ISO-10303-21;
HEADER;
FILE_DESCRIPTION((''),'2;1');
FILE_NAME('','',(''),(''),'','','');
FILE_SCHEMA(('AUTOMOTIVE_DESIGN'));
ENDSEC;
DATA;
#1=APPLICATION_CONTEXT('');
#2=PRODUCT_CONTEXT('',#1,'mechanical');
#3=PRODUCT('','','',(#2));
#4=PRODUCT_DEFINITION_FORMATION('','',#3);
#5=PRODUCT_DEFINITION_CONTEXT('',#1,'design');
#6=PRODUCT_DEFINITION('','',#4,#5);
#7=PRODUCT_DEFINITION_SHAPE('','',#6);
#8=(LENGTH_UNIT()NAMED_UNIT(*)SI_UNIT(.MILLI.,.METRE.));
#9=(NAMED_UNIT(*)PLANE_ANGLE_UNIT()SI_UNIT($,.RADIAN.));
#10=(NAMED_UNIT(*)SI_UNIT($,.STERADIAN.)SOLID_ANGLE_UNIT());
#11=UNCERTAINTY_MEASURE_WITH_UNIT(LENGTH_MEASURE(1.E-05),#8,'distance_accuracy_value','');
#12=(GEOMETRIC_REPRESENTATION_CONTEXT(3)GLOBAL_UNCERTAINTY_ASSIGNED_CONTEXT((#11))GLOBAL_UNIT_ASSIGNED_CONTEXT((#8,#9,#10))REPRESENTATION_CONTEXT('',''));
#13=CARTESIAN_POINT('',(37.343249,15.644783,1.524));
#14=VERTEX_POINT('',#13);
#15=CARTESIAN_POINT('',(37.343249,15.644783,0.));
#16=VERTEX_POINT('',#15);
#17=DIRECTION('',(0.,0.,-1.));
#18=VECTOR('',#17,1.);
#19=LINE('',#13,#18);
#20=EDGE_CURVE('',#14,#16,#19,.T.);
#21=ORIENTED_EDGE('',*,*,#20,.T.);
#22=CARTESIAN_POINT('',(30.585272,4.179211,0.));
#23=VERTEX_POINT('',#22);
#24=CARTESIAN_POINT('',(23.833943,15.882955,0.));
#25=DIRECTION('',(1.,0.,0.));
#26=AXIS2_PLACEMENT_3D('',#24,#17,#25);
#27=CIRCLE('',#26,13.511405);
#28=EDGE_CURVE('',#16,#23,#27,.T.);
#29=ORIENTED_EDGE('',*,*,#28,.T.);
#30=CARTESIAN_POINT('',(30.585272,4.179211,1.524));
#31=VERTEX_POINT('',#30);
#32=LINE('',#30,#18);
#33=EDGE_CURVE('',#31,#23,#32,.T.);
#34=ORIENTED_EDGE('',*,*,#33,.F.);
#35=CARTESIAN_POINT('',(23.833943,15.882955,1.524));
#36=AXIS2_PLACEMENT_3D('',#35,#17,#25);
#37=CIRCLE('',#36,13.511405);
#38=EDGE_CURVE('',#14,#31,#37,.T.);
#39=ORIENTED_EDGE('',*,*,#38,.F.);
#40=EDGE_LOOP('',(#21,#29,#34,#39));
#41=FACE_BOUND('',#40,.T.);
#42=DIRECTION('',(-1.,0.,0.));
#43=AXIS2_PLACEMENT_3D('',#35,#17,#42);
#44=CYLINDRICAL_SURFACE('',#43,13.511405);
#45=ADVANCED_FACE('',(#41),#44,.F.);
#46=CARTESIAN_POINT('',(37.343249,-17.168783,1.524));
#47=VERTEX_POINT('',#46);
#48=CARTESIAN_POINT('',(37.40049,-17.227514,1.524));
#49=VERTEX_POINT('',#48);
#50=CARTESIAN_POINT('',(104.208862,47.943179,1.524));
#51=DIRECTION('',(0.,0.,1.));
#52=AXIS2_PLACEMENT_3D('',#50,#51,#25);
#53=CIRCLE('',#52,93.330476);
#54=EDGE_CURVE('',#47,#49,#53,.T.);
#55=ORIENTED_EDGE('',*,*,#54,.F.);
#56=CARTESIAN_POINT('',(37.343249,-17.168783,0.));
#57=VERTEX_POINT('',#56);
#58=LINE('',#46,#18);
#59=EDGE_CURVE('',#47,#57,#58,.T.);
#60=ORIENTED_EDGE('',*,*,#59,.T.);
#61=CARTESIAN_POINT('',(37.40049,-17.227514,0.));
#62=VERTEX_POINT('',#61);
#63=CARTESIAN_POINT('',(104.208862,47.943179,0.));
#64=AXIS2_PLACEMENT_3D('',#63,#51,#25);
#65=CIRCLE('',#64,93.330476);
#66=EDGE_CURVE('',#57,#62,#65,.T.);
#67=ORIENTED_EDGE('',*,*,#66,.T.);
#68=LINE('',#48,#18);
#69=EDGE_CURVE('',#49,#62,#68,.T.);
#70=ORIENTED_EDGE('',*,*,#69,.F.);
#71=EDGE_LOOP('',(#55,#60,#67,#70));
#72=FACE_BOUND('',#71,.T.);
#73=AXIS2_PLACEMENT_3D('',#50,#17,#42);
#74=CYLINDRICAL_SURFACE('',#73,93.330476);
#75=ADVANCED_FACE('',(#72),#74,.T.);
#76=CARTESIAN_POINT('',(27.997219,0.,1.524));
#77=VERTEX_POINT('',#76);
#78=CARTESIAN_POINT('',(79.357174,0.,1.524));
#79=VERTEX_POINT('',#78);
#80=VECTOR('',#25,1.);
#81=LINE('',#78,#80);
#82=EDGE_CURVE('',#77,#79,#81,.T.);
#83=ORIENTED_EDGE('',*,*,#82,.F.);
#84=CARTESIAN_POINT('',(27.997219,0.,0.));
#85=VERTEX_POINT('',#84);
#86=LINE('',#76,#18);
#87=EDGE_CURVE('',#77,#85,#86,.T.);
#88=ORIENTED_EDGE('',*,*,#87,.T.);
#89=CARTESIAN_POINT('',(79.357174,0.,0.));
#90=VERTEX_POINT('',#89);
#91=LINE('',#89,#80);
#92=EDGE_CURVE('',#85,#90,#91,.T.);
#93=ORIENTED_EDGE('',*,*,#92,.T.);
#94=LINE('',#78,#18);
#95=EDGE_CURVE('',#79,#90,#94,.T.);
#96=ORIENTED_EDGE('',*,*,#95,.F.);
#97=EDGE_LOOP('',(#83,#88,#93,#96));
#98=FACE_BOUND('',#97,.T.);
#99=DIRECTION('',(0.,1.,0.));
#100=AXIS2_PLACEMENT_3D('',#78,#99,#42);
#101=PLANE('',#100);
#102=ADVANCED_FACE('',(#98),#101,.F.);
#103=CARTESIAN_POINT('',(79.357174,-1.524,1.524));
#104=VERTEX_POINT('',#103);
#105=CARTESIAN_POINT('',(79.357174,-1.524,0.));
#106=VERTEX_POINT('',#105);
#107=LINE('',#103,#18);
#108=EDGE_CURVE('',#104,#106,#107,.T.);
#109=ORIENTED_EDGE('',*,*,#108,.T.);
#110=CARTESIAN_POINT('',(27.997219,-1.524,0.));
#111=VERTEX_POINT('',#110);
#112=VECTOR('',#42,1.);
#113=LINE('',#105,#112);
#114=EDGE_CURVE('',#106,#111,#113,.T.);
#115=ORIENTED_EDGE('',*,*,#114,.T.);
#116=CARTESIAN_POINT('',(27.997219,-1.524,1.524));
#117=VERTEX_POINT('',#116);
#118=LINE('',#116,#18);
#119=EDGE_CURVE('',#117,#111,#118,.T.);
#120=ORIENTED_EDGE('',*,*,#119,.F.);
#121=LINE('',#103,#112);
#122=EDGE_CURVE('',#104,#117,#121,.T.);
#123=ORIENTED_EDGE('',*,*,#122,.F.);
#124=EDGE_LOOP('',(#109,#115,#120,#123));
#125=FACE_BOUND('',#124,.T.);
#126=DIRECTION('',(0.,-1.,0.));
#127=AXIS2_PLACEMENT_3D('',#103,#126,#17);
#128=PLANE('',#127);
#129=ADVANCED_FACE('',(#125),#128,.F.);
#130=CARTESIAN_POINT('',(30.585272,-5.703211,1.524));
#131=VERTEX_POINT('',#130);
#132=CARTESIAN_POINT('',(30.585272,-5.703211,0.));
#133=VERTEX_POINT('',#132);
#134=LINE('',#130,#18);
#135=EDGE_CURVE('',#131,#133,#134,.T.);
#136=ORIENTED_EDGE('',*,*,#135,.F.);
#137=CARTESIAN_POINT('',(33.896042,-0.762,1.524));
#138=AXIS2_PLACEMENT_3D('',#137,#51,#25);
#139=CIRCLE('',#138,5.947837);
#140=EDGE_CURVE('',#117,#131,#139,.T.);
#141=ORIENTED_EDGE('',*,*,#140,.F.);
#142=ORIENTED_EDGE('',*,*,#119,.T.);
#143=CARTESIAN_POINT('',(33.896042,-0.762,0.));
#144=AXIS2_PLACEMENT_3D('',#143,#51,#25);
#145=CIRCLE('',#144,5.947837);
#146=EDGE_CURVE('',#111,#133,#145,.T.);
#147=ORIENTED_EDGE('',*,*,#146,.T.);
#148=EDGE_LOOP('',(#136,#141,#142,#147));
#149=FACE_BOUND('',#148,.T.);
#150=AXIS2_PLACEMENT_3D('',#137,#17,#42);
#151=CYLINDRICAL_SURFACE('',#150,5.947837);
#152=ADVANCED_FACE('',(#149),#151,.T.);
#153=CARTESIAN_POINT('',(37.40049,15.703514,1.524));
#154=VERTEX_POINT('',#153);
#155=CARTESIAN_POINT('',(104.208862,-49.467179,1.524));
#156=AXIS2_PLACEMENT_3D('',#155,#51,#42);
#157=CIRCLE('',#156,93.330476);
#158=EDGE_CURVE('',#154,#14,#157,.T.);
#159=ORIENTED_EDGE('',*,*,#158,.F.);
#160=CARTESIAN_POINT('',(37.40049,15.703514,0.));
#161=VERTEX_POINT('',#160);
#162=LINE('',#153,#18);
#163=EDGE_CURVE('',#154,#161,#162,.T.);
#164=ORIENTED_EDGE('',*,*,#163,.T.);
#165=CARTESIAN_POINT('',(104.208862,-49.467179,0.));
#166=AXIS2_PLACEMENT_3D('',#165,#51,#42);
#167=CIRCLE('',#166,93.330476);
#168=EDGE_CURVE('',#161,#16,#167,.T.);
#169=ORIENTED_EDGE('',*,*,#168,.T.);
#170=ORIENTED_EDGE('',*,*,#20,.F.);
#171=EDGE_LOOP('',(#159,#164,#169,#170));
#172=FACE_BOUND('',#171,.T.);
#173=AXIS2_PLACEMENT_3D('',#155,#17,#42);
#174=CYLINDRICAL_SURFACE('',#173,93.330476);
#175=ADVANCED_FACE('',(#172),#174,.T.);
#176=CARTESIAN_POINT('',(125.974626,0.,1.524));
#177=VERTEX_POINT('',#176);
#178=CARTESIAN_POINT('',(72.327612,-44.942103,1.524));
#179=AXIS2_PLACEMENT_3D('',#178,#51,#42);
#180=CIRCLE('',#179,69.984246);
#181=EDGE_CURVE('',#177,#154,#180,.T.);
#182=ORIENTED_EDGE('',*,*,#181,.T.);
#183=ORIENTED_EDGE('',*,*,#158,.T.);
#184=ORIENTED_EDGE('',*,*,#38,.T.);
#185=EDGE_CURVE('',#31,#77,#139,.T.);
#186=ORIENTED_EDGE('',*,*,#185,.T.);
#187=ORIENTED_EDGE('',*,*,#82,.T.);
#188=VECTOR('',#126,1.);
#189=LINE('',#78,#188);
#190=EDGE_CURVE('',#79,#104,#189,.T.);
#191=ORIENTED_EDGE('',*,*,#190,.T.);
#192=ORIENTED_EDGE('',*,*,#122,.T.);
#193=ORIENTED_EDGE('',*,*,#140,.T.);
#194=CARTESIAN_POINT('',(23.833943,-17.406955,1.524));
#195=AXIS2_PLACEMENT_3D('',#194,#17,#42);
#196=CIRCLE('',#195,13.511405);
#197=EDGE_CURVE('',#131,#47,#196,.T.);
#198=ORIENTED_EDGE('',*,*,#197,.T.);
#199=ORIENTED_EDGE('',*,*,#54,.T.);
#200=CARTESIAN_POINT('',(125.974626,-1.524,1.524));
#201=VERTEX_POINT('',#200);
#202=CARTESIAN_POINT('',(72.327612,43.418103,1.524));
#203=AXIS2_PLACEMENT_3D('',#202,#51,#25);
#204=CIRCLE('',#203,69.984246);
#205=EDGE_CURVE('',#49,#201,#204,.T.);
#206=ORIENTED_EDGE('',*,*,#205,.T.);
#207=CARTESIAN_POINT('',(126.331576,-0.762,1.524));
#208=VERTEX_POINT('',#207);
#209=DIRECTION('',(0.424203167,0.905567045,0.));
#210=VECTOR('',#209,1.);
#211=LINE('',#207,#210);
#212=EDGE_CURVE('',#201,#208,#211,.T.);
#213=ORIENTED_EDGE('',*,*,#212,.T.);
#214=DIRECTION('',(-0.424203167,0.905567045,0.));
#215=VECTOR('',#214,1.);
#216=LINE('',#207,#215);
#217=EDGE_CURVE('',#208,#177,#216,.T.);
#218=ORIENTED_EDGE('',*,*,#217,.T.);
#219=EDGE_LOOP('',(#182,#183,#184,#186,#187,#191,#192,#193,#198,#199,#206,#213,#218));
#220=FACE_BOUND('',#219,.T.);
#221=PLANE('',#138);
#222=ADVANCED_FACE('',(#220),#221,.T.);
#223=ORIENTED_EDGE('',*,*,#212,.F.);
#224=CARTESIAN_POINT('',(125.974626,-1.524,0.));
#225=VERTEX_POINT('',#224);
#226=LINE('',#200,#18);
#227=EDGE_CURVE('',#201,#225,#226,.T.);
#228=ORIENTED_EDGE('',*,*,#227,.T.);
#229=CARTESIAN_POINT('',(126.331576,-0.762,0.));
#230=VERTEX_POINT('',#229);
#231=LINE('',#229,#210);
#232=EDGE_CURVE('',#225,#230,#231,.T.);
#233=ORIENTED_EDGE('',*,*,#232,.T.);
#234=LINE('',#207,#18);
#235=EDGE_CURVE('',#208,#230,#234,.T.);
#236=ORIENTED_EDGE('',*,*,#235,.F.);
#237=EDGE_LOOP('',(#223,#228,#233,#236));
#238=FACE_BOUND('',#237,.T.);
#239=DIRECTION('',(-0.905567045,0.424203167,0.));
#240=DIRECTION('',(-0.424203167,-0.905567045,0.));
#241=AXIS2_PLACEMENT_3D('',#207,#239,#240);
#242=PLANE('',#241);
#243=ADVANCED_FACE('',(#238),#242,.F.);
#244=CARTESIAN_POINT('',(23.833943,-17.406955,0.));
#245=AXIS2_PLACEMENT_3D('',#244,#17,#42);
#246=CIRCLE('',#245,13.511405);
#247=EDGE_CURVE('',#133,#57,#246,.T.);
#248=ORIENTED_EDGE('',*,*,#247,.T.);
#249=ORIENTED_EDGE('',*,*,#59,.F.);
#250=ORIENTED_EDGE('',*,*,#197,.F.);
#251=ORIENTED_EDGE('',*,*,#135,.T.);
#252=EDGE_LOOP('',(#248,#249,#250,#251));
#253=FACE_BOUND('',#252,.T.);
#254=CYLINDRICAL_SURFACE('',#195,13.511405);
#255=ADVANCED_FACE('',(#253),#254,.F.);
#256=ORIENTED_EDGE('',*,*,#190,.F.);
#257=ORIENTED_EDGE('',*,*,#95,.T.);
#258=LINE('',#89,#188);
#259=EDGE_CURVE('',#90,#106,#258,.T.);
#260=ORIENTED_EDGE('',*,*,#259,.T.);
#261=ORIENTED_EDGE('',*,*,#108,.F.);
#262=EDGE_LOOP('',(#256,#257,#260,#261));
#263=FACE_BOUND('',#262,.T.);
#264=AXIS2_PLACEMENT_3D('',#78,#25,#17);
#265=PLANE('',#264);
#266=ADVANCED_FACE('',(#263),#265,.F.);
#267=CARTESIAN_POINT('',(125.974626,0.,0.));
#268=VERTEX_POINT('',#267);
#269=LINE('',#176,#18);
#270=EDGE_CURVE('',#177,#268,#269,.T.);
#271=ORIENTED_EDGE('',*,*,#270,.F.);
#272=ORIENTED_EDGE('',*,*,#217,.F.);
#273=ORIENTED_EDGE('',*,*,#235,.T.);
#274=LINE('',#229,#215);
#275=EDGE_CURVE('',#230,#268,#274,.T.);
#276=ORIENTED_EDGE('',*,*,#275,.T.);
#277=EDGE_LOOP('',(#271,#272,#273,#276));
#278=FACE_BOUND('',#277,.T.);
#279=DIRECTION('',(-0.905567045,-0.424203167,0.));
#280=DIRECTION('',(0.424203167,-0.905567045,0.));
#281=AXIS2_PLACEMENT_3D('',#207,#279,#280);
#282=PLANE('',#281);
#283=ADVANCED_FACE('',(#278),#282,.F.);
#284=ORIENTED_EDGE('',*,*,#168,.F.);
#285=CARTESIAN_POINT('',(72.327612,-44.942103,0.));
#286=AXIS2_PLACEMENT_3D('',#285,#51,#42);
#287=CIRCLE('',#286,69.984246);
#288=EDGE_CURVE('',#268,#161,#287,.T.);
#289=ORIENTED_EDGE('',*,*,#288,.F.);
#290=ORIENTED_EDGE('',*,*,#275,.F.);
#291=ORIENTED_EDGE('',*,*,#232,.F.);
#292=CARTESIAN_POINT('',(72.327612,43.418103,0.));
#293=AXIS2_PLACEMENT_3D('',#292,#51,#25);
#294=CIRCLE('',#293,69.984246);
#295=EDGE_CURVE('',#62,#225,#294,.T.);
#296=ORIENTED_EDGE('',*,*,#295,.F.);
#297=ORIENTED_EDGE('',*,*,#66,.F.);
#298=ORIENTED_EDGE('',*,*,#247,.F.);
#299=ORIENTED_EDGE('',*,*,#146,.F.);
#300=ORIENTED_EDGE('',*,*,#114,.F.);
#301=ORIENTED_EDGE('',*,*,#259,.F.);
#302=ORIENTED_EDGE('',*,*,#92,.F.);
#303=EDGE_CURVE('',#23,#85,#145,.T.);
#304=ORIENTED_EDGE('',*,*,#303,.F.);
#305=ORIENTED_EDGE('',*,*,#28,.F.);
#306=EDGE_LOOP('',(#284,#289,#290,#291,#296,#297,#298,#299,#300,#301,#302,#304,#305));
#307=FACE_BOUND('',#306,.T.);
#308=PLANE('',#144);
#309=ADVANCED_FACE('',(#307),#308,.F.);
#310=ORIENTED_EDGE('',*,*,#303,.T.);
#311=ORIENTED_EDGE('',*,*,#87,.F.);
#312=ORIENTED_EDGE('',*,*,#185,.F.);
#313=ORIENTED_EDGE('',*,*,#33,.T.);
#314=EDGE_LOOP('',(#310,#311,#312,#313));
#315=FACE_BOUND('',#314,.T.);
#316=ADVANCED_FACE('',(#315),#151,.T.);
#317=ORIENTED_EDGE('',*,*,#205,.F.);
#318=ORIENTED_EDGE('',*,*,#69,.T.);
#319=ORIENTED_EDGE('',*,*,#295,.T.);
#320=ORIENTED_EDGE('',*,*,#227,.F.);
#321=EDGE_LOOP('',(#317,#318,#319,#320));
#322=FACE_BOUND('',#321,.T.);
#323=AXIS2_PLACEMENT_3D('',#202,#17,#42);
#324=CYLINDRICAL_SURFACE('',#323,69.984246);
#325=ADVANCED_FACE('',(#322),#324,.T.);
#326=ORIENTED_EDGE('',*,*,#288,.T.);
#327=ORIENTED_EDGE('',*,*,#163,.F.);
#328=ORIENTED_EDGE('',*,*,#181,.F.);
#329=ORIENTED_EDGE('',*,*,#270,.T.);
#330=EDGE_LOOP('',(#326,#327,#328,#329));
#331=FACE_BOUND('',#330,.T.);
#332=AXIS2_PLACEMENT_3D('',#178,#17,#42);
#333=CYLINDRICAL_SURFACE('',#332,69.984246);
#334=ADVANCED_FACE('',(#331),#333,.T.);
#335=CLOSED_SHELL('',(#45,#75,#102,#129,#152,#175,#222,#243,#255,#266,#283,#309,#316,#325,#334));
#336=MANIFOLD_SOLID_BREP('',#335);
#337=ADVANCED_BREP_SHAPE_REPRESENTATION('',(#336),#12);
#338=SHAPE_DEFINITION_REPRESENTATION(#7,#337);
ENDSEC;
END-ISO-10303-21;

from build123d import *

# Parameters (mm, degrees)
BOSS_EXTRUDE1_DEPTH = 1.524


with BuildPart() as part:
    # Sketch1 → Boss-Extrude1 (new body)
    with BuildSketch(Plane.XY):
        with BuildLine():
            Line((79.357173925, 0), (79.357173925, -1.524))
            Line((79.357173925, -1.524), (27.997218561, -1.524))
            ThreePointArc((27.997218561, -1.524), (28.839303716, -3.893478834), (30.585272442, -5.703211014))
            ThreePointArc((30.585272442, -5.703211014), (35.473881568, -10.546204028), (37.343248984, -17.168782529))
            ThreePointArc((37.343248984, -17.168782529), (37.371863233, -17.198154529), (37.400490384, -17.227513955))
            ThreePointArc((37.400490384, -17.227513955), (84.54475886, -25.491518967), (125.974625666, -1.524))
            Line((125.974625666, -1.524), (126.331576391, -0.762))
            Line((126.331576391, -0.762), (125.974625666, 0))
            ThreePointArc((125.974625666, 0), (84.54475886, 23.967518967), (37.400490384, 15.703513955))
            ThreePointArc((37.400490384, 15.703513955), (37.371863233, 15.674154529), (37.343248984, 15.644782529))
            ThreePointArc((37.343248984, 15.644782529), (35.473881568, 9.022204028), (30.585272442, 4.179211014))
            ThreePointArc((30.585272442, 4.179211014), (28.839303716, 2.369478834), (27.997218561, 0))
            Line((27.997218561, 0), (79.357173925, 0))
        make_face()
    extrude(amount=BOSS_EXTRUDE1_DEPTH)


solid = part.part
